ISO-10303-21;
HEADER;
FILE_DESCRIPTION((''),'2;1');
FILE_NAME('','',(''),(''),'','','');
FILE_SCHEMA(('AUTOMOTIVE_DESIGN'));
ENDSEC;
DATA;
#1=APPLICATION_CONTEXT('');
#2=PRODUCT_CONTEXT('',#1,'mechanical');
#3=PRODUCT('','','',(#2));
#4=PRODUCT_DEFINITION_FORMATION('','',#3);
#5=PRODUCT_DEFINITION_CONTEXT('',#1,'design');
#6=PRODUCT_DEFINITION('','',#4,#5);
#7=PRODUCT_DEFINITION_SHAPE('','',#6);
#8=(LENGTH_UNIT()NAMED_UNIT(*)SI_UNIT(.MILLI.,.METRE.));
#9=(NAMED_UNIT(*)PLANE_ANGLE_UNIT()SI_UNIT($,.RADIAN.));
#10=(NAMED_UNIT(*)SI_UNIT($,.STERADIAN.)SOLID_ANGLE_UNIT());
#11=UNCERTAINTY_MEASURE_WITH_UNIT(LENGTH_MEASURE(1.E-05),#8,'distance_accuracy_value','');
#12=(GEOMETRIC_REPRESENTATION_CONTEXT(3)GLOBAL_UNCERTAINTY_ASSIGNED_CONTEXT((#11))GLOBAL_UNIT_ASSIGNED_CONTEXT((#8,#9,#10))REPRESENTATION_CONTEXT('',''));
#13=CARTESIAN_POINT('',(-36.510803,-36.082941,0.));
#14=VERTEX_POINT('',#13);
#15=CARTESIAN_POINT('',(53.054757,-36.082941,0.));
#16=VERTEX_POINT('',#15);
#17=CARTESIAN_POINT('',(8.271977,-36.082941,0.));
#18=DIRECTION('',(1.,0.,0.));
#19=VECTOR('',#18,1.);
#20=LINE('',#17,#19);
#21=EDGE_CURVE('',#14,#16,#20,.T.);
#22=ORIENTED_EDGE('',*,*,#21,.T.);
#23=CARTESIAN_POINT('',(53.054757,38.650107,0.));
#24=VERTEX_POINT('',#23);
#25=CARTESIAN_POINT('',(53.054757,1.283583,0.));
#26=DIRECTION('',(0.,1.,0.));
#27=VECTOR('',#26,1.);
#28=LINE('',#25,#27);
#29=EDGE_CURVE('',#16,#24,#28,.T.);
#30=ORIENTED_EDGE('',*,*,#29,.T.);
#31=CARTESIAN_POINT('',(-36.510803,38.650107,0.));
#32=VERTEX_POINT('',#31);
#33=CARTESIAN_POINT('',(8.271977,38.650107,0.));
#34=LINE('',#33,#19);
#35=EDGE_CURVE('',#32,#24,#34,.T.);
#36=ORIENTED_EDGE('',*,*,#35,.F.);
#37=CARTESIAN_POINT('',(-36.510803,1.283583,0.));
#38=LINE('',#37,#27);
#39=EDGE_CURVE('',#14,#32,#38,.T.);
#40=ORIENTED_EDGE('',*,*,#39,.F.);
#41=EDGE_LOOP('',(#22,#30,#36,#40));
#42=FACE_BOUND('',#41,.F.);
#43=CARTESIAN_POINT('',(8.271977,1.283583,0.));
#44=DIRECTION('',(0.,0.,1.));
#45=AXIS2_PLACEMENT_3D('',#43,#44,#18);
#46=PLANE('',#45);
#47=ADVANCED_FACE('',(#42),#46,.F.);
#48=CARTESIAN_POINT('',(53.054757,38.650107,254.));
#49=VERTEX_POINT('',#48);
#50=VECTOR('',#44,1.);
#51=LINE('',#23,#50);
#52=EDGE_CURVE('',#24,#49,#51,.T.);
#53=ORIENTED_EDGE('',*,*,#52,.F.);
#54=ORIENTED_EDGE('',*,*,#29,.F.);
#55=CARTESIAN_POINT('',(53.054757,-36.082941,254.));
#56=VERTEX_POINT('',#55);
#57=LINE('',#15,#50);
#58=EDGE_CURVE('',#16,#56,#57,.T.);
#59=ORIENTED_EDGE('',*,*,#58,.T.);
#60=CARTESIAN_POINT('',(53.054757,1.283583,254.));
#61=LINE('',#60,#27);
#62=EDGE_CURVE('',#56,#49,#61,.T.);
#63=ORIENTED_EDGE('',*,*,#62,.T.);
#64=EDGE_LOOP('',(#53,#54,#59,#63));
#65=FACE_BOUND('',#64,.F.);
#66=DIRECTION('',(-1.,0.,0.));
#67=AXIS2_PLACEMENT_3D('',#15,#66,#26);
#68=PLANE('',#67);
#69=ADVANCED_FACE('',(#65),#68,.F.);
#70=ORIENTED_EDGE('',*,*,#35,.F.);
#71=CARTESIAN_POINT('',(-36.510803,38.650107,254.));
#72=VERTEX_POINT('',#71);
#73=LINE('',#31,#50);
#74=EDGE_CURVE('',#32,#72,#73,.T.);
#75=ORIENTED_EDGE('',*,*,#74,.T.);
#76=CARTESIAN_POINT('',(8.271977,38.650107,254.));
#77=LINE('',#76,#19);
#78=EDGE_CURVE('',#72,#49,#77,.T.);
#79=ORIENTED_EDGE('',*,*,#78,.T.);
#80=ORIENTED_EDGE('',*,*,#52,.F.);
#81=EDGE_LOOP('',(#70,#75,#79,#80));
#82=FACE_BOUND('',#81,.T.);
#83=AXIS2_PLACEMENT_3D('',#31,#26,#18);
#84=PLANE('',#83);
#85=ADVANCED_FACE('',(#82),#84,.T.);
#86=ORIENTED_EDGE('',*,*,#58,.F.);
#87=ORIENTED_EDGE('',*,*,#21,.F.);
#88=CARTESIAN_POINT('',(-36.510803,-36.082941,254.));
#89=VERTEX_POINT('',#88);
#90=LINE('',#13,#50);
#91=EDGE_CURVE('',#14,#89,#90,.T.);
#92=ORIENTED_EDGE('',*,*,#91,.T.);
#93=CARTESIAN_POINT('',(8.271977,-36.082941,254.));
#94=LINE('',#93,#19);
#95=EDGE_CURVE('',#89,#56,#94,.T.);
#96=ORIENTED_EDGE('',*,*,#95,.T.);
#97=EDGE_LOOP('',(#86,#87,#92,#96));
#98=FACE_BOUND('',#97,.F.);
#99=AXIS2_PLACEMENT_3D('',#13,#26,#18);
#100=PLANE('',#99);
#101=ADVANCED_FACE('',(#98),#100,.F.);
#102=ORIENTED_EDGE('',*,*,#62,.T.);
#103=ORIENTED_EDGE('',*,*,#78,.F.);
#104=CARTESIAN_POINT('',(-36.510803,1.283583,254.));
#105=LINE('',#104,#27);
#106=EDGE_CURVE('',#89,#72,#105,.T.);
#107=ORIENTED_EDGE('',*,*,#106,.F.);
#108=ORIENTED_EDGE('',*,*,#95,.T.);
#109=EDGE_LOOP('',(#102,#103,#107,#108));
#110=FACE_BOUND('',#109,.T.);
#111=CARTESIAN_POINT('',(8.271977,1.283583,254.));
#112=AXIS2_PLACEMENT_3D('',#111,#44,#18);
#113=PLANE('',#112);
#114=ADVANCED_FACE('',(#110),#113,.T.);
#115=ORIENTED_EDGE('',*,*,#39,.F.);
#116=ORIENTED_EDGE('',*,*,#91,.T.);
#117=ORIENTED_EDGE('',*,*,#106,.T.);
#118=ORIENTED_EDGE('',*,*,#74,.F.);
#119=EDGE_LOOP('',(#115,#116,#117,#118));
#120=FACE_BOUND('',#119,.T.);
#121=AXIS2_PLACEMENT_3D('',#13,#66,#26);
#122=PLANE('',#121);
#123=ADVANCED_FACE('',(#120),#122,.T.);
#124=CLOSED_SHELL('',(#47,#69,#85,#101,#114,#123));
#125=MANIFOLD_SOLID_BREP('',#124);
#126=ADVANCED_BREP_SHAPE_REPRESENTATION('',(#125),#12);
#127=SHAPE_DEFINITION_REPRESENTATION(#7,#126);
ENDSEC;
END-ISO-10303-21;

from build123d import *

# Parameters (mm, degrees)
F0_W     = 89.56556
F0_H     = 74.733049
F1_DEPTH = 254
F2_W     = 46.779464
F2_H     = 39.933689
F3_DEPTH = 76.2


with BuildPart() as f1:
    # F0 (on Top) → F1 (new body)
    with BuildSketch(Plane.XY):
        with Locations((8.271977, 1.283583)):
            Rectangle(F0_W, F0_H)
    extrude(amount=F1_DEPTH)

    # F2 (on Top) → F3 (cut)
    with BuildSketch(Plane.XY):
        with Locations((0, -6.132674)):
            Rectangle(F2_W, F2_H)
    extrude(amount=-F3_DEPTH, mode=Mode.SUBTRACT)


solid = f1.part
